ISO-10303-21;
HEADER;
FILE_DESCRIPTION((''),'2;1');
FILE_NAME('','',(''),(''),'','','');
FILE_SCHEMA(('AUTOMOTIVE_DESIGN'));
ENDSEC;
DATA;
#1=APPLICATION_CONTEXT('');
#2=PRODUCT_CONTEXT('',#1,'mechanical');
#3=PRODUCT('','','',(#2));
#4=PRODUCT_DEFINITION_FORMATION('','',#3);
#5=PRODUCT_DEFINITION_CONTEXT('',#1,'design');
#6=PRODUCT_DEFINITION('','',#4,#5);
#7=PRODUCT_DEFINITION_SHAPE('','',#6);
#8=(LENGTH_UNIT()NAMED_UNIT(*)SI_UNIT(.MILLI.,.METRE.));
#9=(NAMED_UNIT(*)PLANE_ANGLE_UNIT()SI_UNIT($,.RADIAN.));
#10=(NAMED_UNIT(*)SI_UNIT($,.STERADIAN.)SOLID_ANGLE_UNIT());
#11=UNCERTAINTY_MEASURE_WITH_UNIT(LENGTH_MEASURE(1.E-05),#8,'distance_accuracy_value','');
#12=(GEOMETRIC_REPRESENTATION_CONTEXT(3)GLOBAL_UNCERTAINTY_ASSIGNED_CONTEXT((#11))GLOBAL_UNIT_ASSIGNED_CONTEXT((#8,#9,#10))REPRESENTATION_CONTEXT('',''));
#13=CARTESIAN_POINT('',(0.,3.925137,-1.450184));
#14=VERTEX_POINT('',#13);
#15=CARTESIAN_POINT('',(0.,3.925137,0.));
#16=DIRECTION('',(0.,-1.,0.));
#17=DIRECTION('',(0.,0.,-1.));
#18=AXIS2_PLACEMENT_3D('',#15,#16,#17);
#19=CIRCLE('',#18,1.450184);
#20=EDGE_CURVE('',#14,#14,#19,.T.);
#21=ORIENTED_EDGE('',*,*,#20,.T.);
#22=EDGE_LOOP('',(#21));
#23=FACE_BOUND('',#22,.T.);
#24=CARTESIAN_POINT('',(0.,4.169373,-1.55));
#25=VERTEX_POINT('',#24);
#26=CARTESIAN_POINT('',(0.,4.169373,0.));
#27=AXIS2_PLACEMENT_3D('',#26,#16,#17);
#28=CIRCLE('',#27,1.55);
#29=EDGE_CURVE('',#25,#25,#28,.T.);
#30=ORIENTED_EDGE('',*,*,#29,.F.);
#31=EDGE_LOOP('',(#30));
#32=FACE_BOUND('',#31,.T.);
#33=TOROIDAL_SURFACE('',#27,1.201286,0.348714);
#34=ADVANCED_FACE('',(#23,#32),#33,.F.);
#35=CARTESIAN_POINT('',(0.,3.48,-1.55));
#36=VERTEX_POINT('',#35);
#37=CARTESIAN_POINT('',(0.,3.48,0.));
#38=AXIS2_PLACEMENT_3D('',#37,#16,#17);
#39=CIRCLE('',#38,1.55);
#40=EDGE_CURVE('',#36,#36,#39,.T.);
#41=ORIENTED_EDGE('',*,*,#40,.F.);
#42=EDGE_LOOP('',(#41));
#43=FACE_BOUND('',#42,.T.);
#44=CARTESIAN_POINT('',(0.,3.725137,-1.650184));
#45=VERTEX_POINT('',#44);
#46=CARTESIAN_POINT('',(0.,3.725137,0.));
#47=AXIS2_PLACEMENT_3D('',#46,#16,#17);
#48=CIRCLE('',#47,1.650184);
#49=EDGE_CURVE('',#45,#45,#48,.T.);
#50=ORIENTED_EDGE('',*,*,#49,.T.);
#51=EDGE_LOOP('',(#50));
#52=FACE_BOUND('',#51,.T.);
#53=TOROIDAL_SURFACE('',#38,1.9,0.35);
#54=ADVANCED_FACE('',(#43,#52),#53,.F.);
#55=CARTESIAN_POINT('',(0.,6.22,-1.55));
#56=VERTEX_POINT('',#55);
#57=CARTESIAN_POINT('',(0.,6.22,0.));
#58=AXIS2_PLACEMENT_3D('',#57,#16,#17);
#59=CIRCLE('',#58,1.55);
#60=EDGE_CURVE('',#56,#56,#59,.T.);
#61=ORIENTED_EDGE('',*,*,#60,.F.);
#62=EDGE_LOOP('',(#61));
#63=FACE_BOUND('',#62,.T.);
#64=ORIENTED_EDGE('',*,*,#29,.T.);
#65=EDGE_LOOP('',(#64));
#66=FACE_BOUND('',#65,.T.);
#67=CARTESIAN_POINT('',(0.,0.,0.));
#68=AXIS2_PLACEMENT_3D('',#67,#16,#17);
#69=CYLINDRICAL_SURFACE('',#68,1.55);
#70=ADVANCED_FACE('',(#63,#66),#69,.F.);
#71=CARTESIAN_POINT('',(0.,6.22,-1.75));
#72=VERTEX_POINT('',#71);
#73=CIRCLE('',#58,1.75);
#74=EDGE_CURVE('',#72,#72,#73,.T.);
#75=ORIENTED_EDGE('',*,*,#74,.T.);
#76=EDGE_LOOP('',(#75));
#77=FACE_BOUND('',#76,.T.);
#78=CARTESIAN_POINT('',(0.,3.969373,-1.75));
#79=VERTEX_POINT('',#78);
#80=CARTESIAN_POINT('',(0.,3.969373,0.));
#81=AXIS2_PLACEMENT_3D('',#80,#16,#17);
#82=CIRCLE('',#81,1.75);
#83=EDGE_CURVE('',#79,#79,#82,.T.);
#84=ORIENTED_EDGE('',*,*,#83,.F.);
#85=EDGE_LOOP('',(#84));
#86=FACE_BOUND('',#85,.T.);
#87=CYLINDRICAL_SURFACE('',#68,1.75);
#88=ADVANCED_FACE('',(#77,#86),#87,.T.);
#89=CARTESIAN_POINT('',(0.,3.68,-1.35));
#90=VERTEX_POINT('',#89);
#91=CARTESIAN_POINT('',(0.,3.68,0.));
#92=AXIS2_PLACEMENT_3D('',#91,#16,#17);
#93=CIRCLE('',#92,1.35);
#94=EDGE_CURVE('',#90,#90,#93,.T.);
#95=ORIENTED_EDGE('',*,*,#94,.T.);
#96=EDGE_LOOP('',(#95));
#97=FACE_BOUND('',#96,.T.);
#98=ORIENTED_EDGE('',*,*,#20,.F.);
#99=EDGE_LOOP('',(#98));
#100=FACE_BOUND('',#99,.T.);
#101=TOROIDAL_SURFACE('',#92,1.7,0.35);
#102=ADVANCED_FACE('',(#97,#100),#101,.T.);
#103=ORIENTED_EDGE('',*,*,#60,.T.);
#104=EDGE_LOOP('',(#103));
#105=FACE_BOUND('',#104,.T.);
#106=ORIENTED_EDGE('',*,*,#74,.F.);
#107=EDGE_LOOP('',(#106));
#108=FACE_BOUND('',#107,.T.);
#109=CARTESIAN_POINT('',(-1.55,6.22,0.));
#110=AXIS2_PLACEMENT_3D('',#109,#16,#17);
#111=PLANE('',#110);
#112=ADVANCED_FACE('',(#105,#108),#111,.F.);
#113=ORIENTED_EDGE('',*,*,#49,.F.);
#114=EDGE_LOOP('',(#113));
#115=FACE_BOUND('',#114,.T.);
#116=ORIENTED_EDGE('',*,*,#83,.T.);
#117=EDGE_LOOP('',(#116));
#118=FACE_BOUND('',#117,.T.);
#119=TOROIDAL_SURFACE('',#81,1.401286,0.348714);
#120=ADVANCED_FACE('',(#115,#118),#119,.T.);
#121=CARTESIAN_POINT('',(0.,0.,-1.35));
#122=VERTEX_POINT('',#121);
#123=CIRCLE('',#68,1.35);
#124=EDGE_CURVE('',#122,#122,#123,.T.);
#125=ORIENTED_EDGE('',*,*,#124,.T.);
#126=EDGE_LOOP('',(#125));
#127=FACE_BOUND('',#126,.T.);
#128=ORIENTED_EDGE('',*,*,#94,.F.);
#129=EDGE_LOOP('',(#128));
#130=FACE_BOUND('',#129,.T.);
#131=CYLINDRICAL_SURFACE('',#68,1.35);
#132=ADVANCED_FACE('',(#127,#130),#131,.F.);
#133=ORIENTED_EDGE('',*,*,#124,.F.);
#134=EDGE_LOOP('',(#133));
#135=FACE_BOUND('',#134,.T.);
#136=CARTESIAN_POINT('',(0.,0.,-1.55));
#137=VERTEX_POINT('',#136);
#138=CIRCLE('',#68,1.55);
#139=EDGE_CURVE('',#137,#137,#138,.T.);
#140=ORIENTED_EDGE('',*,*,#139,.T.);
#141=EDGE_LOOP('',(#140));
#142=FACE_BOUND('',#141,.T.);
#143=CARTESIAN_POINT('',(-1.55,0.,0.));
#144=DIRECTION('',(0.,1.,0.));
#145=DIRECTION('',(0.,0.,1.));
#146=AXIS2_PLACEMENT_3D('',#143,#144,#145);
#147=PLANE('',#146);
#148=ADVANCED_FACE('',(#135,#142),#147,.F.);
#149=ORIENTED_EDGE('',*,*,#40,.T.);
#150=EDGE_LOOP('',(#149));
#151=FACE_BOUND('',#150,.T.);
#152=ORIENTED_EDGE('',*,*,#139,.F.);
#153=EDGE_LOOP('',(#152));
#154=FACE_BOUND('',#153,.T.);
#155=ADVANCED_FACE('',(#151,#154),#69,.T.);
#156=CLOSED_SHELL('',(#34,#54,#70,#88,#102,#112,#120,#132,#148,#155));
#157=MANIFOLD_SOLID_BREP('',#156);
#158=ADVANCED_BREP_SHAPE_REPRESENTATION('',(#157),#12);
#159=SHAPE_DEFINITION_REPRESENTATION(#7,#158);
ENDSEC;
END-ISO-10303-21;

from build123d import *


with BuildPart() as part:
    # Sketch1 → Revolve1 (revolve)
    with BuildSketch(Plane.XY, mode=Mode.PRIVATE) as revolve1_sk:
        with BuildLine():
            Line((-1.35, 0), (-1.35, 3.68))
            ThreePointArc((-1.35, 3.68), (-1.376012653, 3.812409209), (-1.450183993, 3.92513662))
            ThreePointArc((-1.450183993, 3.92513662), (-1.524082894, 4.037449972), (-1.55, 4.16937283))
            Line((-1.55, 4.16937283), (-1.55, 6.22))
            Line((-1.55, 6.22), (-1.75, 6.22))
            Line((-1.75, 6.22), (-1.75, 3.96937283))
            ThreePointArc((-1.75, 3.96937283), (-1.724082894, 3.837449972), (-1.650183993, 3.72513662))
            ThreePointArc((-1.650183993, 3.72513662), (-1.576012653, 3.612409209), (-1.55, 3.48))
            Line((-1.55, 3.48), (-1.55, 0))
            Line((-1.55, 0), (-1.35, 0))
        make_face()
    revolve(revolve1_sk.sketch.rotate(Axis((0, 0, 0), (0, 1, 0)), 270), axis=Axis((0, 0, 0), (0, 1, 0)))


solid = part.part
